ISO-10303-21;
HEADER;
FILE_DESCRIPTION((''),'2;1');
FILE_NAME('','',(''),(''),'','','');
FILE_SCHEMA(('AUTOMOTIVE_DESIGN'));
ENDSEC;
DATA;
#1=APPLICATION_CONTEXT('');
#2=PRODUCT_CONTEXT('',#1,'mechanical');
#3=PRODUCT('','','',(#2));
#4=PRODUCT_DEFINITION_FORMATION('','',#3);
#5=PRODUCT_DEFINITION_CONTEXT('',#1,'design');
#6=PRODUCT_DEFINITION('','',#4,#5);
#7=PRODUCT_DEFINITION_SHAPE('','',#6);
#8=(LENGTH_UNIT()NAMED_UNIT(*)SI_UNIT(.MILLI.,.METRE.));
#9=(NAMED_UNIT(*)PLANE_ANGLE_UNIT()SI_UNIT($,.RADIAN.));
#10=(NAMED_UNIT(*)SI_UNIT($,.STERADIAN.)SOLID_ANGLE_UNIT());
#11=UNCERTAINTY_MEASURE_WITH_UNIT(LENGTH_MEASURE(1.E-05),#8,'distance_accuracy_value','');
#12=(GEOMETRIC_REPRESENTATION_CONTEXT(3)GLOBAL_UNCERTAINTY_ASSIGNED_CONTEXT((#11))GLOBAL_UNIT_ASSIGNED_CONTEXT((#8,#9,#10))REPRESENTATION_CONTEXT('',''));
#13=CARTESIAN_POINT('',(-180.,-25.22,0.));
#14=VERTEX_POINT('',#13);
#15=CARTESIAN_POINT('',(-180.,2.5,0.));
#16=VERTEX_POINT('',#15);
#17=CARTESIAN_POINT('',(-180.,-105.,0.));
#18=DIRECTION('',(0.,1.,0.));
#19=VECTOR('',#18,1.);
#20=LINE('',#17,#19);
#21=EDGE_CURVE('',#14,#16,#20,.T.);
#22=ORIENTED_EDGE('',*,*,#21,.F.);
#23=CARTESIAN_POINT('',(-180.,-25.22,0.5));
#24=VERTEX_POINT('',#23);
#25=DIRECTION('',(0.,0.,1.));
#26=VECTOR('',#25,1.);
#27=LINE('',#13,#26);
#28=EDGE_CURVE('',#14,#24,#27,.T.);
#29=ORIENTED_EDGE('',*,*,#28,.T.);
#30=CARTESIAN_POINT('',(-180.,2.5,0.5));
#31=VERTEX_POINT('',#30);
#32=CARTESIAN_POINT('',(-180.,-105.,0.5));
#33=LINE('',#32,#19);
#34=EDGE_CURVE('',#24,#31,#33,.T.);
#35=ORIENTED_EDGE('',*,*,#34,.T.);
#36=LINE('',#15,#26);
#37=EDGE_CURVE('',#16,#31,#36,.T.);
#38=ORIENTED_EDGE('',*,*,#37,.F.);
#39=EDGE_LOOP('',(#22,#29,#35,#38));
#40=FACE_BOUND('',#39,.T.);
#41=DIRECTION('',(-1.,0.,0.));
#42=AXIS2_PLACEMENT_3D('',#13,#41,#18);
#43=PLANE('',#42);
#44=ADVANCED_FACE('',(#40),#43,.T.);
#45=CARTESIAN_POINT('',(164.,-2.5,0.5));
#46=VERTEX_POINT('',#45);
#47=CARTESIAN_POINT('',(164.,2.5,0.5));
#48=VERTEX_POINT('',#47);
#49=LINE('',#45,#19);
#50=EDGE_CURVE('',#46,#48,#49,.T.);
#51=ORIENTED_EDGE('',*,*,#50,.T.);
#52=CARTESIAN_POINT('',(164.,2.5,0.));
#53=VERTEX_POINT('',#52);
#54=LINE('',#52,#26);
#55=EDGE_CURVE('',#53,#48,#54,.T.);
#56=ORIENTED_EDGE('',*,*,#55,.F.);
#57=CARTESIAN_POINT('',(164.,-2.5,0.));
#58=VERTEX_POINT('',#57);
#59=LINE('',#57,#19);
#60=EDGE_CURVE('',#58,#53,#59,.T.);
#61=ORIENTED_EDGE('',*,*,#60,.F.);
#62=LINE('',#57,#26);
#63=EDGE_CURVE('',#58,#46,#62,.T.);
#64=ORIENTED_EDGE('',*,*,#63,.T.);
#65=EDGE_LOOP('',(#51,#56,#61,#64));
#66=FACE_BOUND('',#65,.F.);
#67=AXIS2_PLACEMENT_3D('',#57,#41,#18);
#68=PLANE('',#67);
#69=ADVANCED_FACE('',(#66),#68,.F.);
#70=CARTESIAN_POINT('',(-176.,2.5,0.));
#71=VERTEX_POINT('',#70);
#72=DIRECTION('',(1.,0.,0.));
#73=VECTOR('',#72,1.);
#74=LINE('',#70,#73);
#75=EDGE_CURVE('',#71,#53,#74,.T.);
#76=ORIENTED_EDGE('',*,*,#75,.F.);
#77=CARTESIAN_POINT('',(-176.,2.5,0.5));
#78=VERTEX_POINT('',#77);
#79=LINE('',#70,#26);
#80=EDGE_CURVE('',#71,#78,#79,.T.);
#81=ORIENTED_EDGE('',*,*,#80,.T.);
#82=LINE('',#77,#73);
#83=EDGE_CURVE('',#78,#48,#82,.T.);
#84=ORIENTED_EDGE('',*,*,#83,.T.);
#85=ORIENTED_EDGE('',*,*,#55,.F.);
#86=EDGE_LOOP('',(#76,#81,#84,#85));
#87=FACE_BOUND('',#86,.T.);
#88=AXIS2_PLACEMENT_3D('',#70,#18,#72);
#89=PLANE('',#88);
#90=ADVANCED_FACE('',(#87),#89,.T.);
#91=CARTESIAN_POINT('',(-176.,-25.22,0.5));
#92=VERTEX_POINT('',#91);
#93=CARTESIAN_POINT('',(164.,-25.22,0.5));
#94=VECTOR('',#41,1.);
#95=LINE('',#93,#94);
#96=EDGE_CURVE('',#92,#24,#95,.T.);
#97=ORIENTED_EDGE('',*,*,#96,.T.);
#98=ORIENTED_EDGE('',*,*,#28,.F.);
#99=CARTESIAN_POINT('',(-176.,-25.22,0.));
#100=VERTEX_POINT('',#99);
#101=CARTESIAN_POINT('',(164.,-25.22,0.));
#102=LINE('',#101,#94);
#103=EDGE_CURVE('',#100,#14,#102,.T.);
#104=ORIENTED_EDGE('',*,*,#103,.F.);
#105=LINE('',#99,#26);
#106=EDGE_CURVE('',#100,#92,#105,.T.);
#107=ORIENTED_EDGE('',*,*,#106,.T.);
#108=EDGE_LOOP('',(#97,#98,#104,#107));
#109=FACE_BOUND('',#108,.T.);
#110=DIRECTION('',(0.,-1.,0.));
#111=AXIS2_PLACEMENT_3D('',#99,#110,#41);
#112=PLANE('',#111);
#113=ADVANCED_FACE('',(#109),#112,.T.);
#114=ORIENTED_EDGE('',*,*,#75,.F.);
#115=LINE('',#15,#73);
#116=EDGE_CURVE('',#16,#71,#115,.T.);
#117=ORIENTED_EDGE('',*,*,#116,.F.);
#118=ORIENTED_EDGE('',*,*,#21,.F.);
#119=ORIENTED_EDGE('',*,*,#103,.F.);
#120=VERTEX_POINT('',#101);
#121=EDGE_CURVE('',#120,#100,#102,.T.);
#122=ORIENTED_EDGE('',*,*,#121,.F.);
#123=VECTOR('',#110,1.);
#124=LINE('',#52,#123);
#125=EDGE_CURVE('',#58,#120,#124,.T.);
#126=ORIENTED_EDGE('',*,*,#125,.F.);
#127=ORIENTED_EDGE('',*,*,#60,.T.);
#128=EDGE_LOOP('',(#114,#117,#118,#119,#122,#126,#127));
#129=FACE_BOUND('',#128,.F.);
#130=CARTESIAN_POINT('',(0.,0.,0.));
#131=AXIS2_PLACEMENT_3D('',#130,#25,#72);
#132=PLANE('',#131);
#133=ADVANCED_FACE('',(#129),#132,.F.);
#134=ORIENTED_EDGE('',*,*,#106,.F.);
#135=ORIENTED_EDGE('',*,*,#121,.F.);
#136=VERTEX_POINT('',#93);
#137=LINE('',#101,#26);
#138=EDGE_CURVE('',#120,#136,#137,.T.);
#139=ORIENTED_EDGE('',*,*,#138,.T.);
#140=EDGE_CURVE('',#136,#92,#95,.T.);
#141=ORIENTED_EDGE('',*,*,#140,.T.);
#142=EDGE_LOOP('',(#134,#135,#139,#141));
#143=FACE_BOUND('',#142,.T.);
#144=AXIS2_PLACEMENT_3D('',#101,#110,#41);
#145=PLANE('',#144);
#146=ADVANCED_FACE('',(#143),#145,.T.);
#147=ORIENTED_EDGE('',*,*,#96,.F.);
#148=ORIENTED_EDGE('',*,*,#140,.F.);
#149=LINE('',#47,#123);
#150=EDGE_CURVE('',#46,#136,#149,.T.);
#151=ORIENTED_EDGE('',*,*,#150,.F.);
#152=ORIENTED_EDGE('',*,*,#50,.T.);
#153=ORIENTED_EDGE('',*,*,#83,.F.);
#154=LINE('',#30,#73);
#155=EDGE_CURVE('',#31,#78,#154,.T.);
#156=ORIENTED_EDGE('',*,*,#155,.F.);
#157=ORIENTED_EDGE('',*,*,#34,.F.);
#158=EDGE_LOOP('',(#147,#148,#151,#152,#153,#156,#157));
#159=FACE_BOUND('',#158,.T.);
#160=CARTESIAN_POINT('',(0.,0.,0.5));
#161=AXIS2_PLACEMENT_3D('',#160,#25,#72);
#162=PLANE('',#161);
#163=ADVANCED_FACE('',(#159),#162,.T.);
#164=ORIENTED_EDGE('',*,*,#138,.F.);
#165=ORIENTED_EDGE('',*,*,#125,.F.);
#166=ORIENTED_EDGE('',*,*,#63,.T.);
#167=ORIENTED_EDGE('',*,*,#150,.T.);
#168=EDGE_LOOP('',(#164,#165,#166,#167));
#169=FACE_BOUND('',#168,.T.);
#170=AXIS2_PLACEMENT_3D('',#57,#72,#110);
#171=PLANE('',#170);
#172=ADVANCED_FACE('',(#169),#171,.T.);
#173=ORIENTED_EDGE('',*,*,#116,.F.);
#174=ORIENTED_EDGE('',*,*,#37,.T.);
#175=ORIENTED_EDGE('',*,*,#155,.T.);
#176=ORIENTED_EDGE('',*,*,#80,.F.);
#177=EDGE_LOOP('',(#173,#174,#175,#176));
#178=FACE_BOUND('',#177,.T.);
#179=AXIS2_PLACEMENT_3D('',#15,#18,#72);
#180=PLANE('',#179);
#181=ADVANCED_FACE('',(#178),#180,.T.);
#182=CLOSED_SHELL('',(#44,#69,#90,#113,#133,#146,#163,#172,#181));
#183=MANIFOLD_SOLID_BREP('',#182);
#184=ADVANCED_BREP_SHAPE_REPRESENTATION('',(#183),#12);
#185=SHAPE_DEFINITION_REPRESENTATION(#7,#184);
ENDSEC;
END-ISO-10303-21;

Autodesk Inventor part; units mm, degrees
ref_plane "YZ Plane" through (0, 0, 0) normal (1, 0, 0) x (0, 1, 0)
ref_plane "XZ Plane" through (0, 0, 0) normal (0, 1, 0) x (-1, 0, 0)
ref_plane "XY Plane" through (0, 0, 0) normal (0, 0, 1) x (1, 0, 0)
sketch "スケッチ1" plane through (0, 0, 0) normal (0, 0, 1) x (1, 0, 0)
  line L0 (-176, 2.5) -> (164, 2.5) projected
  line L1 (164, -25.22) -> (-176, -25.22) projected
  line L2 (-180, -105) -> (-180, 5) projected
  line L3 (164, -2.5) -> (164, 2.5) projected
  line L4 (-180, 2.5) -> (164, 2.5)
  line L5 (164, 2.5) -> (164, -25.22)
  line L6 (164, -25.22) -> (-180, -25.22)
  line L7 (-180, -25.22) -> (-180, 2.5)
  point P0 (0, 0)
  point P1 (-180, -25.22)
extrude "押し出し1" add sketch "スケッチ1" along normal blind 0.5
properties part number "板2" material "アルミニウム 6061"
